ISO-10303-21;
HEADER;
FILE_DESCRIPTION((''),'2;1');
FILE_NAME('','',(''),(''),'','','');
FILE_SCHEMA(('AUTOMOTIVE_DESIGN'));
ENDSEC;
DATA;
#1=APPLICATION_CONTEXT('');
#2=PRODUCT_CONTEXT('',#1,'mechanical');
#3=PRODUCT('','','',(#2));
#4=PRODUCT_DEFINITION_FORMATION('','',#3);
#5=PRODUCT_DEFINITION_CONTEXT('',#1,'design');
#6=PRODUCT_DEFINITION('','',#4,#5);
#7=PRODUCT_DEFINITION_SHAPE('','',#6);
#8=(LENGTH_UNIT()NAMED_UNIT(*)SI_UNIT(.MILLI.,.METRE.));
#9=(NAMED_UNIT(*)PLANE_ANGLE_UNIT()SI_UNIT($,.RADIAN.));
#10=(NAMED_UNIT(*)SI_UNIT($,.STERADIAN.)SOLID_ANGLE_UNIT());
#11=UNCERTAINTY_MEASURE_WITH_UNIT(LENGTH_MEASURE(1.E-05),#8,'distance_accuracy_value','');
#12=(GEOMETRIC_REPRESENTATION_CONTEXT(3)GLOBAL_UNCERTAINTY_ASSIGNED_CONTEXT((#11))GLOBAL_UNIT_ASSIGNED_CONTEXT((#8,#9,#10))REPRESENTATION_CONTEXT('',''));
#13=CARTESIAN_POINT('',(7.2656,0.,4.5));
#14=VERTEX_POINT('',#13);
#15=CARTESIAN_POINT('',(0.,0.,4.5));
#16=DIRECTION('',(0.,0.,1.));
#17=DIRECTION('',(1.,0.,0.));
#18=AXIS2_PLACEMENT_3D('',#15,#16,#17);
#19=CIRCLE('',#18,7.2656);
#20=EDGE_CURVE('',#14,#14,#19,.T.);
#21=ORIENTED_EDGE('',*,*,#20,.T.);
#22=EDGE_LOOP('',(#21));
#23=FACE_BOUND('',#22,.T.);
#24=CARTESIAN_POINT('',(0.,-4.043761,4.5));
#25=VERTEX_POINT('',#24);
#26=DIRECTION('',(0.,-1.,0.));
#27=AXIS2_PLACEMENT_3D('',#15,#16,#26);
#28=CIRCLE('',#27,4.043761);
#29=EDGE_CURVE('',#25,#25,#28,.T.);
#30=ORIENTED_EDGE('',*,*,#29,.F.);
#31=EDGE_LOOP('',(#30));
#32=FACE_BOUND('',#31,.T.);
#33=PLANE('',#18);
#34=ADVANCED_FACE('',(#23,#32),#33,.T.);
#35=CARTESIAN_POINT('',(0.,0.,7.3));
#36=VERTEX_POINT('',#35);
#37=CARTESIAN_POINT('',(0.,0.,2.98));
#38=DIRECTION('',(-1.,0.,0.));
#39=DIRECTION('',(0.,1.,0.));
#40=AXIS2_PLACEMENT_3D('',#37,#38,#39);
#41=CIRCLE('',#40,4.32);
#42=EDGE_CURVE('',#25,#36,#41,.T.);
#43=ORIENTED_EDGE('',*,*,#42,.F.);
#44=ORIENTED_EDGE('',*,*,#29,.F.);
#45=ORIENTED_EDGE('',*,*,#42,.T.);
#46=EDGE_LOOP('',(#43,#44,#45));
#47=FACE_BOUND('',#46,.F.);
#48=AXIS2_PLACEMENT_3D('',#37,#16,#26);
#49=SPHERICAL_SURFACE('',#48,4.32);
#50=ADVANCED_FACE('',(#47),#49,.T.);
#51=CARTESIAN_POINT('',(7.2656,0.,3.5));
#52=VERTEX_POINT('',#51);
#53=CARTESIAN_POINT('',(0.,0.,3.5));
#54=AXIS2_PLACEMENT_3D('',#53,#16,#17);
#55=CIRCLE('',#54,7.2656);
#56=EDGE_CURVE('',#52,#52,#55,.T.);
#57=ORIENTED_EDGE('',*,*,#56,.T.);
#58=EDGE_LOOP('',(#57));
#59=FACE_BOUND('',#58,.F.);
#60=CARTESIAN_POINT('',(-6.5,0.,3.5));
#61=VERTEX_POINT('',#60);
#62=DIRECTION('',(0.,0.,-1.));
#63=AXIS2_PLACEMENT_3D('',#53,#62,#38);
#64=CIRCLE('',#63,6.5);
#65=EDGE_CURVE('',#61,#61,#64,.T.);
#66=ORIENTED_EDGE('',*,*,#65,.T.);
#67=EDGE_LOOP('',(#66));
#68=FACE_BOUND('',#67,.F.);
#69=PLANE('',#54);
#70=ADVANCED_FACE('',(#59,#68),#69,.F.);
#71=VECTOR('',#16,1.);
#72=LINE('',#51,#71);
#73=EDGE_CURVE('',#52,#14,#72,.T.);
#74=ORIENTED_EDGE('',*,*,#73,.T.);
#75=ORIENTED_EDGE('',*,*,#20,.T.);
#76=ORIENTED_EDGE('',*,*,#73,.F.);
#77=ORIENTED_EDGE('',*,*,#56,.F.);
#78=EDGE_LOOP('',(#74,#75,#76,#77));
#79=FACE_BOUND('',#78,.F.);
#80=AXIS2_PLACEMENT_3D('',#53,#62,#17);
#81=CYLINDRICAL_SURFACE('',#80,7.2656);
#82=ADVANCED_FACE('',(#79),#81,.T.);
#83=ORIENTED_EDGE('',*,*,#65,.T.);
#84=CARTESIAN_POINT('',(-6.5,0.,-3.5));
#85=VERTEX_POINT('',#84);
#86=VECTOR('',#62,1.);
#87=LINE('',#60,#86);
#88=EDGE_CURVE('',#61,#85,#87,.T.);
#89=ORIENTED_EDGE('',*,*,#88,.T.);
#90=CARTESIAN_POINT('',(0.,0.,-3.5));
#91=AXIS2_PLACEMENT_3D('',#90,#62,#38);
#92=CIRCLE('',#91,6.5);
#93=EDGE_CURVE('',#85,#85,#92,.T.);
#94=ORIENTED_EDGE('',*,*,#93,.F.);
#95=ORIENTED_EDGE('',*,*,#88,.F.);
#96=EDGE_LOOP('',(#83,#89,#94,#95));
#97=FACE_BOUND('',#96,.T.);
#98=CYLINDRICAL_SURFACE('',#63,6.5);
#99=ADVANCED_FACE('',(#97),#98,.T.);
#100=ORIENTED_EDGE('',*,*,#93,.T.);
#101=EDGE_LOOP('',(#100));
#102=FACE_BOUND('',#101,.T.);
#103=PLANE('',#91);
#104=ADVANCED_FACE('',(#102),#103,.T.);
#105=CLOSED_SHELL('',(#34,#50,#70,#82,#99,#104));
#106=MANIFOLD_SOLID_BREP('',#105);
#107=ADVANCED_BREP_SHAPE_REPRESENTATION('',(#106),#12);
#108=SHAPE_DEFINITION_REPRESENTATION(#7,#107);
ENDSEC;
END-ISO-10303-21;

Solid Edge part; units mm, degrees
sketch "Sketch1" plane through (0, 0, 0) normal (0, -1, 0) x (1, 0, 0)
  line L0 (-6.5, 3.5) -> (-6.5, -3.5)
  line L1 (-6.5, -3.5) -> (0, -3.5)
  line L2 (0, 3.5) -> (0, -3.5)
  line L3 (0, 3.5) -> (-6.5, 3.5)
revolve "RevolvedProtrusion1" add sketch "Sketch1" angle 360 about axis through (0, 0, 3.5) along (0, 0, -1)
sketch "Sketch2" plane through (0, 0, 3.5) normal (0, 0, 1) x (1, 0, 0)
  circle A0 centre (0, 0) radius 7.2656
extrude "Protrusion1" add sketch "Sketch2" along normal blind 1
sketch "Sketch3" plane through (0, 0, 0) normal (1, 0, 0) x (0, 1, 0)
  line L0 (0, 7.3) -> (0, -1.34)
  arc A0 (0, -1.34) -> (0, 7.3) centre (0, 2.98) cw
revolve "RevolvedProtrusion2" add sketch "Sketch3" angle 360 about axis through (0, 0, 7.3) along (0, 0, -1)
properties material "Alluminio 11/S EN AW 2011"
